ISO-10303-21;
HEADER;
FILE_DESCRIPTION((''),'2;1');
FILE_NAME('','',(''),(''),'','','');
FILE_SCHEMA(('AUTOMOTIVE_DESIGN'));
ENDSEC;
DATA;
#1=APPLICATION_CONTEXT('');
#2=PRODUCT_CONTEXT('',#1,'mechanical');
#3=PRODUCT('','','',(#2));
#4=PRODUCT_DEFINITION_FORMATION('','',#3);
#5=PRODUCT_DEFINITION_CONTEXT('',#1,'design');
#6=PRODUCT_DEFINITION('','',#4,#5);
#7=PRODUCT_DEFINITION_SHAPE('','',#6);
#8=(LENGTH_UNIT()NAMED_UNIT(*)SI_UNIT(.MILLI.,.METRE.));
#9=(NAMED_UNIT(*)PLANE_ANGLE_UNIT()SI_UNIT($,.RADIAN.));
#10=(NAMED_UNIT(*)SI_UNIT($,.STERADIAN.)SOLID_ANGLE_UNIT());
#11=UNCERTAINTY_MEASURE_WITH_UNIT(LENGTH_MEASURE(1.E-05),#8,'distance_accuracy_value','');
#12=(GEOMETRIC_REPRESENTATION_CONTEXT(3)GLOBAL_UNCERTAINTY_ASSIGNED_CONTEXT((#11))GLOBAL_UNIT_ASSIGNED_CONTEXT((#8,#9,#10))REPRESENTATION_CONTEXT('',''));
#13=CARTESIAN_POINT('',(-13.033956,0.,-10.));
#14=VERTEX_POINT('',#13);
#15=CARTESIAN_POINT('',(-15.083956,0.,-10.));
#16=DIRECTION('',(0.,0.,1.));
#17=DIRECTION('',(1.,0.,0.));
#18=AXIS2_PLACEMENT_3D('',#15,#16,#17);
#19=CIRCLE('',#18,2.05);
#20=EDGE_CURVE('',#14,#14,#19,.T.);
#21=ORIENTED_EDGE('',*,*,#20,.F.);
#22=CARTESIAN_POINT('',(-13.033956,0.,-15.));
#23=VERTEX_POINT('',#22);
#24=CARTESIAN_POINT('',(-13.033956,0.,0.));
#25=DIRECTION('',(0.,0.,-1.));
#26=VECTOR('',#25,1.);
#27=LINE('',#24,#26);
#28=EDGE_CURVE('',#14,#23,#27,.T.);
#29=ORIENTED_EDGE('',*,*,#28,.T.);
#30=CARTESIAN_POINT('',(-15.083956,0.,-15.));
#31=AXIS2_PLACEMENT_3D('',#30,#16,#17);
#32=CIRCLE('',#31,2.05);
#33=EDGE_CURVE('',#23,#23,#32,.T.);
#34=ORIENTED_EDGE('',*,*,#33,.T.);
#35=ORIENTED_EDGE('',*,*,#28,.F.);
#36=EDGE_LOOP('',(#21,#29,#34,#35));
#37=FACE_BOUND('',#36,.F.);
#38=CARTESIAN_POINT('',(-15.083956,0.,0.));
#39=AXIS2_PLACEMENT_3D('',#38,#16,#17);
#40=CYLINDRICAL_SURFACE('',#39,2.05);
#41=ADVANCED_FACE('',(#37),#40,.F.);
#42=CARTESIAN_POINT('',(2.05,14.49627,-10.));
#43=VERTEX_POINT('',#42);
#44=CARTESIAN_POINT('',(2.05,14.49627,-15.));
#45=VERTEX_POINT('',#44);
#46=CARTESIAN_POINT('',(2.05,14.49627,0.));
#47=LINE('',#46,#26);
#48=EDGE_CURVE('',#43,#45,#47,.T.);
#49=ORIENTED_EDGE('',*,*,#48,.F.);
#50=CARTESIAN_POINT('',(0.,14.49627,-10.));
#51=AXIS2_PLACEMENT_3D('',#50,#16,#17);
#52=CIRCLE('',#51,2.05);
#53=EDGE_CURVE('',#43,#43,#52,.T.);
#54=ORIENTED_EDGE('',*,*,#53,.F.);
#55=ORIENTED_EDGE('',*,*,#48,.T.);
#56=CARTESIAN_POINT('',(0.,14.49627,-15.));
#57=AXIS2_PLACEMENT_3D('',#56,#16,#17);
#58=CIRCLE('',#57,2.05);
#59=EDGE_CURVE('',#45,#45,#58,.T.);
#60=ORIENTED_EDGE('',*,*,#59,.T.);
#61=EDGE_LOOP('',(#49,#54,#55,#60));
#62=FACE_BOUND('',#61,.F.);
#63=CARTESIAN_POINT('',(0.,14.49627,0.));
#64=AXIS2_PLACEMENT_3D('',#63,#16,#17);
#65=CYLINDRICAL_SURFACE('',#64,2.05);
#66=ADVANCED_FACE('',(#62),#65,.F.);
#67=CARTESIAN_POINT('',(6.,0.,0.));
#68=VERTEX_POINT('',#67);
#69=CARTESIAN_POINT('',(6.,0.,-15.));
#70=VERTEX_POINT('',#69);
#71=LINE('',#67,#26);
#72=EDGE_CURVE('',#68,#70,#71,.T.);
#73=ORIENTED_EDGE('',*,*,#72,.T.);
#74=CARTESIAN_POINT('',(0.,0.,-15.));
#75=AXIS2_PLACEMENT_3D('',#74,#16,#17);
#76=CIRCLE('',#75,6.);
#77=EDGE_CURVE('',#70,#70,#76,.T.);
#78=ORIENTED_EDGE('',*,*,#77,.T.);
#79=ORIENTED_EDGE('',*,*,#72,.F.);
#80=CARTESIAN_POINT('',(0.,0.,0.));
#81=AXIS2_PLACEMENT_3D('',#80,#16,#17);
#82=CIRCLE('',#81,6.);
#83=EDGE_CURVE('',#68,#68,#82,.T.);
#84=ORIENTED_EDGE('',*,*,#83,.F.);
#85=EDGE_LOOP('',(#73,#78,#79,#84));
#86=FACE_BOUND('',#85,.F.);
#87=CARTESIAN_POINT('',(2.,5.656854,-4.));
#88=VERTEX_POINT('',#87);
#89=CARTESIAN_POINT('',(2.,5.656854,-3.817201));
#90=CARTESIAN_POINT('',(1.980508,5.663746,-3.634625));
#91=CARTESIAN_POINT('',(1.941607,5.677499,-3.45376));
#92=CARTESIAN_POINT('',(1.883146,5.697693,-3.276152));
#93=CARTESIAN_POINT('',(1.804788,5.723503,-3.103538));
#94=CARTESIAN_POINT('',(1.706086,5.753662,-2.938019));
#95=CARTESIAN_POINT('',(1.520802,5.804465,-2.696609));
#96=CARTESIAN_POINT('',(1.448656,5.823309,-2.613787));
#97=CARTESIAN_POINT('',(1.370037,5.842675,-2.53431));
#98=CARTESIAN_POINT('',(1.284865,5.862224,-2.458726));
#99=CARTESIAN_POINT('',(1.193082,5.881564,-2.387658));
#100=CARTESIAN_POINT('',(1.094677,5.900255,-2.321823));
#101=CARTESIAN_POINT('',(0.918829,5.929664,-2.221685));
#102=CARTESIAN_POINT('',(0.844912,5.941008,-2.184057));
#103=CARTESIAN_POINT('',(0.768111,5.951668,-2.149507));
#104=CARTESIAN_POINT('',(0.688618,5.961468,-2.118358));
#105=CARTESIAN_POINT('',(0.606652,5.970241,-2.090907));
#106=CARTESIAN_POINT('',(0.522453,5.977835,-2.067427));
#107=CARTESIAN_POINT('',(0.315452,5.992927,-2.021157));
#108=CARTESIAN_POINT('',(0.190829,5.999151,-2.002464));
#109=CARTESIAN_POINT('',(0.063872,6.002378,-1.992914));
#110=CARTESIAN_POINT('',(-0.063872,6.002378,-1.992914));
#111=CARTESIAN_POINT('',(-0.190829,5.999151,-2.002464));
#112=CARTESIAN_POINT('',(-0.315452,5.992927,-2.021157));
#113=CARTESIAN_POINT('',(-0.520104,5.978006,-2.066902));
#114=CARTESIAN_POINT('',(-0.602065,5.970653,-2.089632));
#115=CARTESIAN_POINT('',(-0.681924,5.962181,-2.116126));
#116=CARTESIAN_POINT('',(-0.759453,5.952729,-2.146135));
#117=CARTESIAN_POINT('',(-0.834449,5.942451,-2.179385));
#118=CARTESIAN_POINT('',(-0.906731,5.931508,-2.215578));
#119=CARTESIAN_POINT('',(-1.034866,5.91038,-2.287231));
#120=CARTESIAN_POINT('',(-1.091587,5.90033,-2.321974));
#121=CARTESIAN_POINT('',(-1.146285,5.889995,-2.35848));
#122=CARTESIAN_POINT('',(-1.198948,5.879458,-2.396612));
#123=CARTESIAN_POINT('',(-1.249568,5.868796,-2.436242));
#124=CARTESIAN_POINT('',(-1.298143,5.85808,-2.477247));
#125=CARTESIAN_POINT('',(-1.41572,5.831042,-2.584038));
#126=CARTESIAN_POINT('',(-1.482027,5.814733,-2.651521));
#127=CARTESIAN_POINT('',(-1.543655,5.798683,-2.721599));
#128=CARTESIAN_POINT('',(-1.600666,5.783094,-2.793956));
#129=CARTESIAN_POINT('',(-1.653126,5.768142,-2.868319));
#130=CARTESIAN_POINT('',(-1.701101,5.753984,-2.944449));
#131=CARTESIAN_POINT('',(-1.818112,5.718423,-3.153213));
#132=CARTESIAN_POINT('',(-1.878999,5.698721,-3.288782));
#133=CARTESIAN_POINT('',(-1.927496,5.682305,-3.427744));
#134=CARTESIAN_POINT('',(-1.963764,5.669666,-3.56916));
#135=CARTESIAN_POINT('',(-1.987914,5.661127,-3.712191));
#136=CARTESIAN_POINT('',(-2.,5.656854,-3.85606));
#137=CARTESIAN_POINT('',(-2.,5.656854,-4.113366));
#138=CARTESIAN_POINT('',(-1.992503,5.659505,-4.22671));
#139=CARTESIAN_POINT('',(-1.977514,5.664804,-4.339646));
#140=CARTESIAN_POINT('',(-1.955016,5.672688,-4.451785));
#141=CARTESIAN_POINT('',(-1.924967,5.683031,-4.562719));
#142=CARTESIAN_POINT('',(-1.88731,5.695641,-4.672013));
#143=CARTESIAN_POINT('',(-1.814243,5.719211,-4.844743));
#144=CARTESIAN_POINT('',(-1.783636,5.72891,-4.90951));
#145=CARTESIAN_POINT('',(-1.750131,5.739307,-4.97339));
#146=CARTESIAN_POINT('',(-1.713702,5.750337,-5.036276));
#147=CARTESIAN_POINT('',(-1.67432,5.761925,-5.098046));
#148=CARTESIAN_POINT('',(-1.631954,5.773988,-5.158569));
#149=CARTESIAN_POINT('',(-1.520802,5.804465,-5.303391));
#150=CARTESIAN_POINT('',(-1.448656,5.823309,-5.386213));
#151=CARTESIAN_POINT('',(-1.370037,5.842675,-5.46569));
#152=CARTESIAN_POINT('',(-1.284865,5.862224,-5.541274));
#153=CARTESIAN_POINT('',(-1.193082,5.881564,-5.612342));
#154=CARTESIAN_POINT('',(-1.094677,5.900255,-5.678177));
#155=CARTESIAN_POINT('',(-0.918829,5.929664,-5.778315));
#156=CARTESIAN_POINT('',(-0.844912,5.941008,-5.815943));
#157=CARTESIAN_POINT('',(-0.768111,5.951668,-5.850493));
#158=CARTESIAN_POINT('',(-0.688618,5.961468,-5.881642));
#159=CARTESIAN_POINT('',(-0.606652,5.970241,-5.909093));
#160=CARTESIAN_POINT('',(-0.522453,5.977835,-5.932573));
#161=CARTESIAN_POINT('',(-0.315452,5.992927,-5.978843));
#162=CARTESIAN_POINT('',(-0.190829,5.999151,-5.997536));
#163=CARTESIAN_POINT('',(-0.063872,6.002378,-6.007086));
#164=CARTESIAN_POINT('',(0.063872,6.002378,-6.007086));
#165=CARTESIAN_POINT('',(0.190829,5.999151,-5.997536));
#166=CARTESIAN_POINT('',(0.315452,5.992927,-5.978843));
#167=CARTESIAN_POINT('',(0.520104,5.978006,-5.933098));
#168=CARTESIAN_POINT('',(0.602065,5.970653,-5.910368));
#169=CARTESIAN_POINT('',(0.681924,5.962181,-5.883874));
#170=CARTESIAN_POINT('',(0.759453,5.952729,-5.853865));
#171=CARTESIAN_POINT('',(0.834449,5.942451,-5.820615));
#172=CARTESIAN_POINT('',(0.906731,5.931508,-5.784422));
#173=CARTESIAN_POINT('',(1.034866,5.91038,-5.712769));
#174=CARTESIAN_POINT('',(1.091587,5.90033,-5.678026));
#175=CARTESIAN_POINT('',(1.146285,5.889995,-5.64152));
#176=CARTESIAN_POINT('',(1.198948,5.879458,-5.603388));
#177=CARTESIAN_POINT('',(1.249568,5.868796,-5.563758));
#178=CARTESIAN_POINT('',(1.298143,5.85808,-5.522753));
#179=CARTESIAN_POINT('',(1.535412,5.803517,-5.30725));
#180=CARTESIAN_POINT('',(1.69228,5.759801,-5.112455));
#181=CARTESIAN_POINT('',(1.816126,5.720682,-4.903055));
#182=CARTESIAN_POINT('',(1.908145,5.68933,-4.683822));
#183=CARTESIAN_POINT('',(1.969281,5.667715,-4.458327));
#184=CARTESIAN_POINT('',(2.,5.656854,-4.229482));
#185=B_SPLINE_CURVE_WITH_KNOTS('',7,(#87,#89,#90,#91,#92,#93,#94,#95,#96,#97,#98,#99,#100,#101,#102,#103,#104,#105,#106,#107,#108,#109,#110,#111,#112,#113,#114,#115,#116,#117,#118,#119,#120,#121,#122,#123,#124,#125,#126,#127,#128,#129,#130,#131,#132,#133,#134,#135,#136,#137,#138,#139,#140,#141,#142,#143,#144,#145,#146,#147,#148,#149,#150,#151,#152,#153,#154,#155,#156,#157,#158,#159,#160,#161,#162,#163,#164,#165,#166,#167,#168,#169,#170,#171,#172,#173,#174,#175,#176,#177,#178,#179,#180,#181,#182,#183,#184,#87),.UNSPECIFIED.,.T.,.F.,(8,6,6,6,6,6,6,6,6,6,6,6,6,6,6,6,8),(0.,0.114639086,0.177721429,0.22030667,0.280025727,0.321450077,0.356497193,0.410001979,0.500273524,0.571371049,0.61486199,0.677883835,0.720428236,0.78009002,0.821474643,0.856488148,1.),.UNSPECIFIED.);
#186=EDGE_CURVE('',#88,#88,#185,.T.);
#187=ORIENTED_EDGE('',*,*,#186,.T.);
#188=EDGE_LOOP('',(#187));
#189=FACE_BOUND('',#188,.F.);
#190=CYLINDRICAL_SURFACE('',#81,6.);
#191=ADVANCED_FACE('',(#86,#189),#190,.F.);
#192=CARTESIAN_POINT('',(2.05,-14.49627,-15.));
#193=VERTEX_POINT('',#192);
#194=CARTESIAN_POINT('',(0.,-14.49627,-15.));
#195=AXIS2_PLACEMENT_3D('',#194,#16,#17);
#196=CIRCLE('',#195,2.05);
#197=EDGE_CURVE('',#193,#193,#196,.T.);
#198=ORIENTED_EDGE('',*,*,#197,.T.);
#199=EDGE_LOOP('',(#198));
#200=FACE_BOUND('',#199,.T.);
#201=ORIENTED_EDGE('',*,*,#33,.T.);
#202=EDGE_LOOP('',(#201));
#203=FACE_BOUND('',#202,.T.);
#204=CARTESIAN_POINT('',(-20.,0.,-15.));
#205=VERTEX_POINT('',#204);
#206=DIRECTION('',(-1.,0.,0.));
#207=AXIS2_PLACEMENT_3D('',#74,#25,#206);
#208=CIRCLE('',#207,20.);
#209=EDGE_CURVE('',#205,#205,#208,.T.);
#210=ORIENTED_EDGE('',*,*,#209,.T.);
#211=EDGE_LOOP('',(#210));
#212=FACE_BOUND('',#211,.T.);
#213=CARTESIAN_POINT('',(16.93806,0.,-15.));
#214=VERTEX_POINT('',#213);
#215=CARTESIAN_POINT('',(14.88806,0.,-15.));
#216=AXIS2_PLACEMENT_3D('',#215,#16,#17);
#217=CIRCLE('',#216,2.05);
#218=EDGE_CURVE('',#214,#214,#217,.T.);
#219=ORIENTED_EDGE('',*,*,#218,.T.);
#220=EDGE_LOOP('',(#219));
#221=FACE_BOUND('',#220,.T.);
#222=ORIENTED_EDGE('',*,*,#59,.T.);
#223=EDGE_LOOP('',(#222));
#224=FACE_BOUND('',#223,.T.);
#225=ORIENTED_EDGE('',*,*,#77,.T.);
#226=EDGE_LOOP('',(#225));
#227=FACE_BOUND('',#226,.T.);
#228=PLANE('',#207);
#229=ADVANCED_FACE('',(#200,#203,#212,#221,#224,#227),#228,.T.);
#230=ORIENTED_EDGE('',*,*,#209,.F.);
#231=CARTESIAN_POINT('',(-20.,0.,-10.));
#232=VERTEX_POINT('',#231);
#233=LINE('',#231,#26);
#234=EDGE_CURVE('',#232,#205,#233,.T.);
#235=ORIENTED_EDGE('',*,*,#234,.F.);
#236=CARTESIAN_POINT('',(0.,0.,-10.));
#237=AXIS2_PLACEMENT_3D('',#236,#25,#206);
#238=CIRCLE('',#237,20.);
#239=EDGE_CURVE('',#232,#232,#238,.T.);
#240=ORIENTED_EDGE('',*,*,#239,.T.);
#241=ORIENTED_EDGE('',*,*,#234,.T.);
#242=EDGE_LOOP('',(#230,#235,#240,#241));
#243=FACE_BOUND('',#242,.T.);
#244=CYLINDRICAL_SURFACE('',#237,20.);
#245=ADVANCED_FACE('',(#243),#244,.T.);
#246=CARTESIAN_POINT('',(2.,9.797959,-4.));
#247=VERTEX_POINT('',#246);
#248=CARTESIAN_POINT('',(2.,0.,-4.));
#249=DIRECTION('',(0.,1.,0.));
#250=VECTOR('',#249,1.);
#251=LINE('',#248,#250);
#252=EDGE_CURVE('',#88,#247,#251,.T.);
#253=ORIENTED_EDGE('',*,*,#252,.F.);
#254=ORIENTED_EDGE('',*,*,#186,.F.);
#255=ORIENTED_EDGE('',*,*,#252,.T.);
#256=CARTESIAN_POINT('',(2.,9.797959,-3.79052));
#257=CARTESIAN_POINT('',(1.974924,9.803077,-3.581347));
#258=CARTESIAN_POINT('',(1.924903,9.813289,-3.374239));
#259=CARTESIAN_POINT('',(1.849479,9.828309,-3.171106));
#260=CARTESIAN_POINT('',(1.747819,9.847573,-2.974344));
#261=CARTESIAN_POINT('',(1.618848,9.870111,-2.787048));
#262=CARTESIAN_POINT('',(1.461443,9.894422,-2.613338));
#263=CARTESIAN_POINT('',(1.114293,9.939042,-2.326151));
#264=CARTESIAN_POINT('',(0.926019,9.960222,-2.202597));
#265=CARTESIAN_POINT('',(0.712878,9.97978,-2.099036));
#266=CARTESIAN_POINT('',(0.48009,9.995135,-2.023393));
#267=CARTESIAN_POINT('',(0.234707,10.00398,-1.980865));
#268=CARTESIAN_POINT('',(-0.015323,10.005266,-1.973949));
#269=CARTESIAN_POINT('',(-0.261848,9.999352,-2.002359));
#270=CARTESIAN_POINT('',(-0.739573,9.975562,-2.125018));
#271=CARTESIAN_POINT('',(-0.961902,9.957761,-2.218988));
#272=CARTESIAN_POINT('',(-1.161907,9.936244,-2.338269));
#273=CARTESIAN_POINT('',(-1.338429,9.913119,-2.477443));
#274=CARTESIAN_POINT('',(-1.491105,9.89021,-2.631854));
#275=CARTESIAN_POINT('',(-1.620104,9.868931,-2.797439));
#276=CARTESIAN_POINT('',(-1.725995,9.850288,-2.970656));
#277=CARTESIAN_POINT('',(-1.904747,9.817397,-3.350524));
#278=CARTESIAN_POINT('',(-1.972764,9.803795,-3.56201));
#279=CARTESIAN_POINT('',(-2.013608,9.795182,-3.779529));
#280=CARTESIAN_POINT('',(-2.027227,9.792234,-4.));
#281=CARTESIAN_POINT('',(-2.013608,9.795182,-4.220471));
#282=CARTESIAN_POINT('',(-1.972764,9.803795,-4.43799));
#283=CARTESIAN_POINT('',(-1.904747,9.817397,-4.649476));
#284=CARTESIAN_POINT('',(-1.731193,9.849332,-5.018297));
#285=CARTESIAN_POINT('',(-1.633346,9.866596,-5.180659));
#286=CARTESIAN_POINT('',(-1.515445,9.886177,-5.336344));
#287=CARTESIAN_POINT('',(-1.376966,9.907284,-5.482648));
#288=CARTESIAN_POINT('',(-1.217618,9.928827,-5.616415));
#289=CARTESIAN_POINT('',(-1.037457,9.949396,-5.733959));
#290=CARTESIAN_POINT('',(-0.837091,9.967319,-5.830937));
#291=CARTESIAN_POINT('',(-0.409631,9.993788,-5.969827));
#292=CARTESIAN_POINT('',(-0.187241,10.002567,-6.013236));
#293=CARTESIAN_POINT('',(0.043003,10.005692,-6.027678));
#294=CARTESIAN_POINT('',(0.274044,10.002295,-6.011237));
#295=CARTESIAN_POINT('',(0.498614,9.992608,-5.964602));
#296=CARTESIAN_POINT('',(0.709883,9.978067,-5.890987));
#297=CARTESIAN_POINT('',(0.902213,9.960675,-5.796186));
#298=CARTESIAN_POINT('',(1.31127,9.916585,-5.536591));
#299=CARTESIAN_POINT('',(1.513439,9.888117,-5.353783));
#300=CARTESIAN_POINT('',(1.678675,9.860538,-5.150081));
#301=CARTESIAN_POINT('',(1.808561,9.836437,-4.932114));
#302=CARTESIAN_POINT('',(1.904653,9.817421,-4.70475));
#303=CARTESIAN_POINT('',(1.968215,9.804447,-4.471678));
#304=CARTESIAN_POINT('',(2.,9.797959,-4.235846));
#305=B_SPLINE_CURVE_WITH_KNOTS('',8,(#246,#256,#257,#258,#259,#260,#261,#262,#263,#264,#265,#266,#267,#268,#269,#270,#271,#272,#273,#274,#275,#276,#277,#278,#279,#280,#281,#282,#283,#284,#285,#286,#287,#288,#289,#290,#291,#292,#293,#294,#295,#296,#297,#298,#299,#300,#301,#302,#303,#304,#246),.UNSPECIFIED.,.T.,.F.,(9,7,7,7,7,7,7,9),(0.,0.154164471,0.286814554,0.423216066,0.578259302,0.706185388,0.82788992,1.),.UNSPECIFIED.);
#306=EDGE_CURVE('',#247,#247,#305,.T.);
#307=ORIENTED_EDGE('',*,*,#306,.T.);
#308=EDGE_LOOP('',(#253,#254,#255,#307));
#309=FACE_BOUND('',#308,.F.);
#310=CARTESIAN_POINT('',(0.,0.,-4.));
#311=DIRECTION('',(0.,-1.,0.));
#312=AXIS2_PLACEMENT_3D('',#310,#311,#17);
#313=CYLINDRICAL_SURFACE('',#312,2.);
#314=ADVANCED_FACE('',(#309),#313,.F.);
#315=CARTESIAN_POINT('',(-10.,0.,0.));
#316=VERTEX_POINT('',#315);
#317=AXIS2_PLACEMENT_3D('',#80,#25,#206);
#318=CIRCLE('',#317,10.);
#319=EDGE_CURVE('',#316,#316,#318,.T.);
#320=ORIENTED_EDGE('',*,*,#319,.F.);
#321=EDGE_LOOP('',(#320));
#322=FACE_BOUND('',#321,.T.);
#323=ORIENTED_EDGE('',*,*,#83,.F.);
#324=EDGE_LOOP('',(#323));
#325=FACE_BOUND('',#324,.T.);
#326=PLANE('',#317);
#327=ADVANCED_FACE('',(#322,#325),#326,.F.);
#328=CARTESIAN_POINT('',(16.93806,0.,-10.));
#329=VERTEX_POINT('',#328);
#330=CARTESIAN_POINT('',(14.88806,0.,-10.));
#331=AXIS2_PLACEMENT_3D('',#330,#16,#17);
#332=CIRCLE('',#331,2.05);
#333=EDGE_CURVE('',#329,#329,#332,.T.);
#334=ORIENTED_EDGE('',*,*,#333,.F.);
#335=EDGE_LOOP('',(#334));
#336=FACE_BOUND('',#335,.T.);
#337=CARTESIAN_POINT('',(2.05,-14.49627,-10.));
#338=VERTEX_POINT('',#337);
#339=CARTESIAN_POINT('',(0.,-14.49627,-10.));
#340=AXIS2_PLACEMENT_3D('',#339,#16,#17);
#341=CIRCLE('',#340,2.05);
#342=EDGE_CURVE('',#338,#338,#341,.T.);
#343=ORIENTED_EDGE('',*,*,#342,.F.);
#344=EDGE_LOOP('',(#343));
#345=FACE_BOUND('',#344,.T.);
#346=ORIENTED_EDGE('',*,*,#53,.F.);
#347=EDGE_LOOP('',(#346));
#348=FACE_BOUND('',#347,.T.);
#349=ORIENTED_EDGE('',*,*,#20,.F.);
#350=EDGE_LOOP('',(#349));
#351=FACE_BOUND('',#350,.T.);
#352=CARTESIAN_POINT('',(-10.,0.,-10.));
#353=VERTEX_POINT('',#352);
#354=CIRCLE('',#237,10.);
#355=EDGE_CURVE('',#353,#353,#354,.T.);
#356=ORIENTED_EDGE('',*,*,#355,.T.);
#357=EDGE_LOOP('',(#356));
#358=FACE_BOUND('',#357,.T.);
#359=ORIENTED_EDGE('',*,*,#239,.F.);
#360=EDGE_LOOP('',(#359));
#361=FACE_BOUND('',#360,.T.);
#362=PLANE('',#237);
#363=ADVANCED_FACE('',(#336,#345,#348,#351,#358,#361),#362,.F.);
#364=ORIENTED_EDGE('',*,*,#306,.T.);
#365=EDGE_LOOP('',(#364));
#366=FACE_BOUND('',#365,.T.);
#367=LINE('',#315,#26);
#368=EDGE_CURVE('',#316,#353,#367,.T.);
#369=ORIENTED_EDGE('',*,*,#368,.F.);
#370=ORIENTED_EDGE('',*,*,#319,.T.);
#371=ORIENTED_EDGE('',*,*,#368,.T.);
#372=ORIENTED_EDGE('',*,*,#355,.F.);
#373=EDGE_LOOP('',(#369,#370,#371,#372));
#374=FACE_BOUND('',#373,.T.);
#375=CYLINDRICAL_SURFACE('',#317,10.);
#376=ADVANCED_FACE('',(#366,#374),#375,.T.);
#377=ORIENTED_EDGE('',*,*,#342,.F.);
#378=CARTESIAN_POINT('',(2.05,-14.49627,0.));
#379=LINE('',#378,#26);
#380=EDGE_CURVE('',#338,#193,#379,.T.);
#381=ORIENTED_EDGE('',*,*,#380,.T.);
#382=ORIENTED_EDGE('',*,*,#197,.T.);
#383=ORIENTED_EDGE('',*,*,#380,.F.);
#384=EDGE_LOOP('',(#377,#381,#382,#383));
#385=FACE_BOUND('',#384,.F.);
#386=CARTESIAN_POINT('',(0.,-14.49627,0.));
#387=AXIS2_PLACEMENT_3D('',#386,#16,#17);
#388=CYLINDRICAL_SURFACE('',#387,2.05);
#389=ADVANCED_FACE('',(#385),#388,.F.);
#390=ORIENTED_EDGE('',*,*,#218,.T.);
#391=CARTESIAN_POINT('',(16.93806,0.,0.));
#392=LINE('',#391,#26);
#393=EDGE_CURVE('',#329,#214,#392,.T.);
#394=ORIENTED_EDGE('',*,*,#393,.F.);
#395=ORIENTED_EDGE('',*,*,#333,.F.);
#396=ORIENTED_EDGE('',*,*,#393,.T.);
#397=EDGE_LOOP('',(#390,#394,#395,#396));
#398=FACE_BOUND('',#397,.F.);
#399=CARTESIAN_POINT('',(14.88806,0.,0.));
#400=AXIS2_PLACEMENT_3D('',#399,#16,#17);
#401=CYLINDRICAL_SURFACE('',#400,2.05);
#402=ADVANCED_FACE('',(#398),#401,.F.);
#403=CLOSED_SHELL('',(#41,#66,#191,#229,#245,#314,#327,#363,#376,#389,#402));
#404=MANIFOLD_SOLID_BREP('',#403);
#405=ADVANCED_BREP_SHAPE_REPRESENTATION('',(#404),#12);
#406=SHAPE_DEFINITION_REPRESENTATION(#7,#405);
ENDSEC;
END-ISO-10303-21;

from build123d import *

# Parameters (mm, degrees)
F2_R     = 6
F3_DEPTH = 45
F4_R     = 2.05
F5_DEPTH = 25
F6_R     = 2
F7_DEPTH = 10


with BuildPart() as f1:
    # F0 (on Front) → F1 (revolve)
    with BuildSketch(Plane.XZ):
        Polygon((0, -15), (0, 0), (-10, 0), (-10, -10), (-20, -10), (-20, -15), align=None)
    revolve(axis=Axis((0, 0, -7.5), (0, 0, -1)))

    # F2 (on face) → F3 (cut)
    with BuildSketch(Plane.XY):
        Circle(F2_R)
    extrude(amount=-F3_DEPTH, mode=Mode.SUBTRACT)

    # F4 (on Top) → F5 (cut)
    with BuildSketch(Plane.XY):
        with Locations((0, 14.49627)):
            Circle(F4_R)
        with Locations((0, -14.49627)):
            Circle(F4_R)
        with Locations((14.88806, 0)):
            Circle(F4_R)
        with Locations((-15.083956, 0)):
            Circle(F4_R)
    extrude(amount=-F5_DEPTH, mode=Mode.SUBTRACT)

    # F6 (on Front) → F7 (cut)
    with BuildSketch(Plane.XZ):
        with Locations((0, -4)):
            Circle(F6_R)
    extrude(amount=-F7_DEPTH, mode=Mode.SUBTRACT)


solid = f1.part
